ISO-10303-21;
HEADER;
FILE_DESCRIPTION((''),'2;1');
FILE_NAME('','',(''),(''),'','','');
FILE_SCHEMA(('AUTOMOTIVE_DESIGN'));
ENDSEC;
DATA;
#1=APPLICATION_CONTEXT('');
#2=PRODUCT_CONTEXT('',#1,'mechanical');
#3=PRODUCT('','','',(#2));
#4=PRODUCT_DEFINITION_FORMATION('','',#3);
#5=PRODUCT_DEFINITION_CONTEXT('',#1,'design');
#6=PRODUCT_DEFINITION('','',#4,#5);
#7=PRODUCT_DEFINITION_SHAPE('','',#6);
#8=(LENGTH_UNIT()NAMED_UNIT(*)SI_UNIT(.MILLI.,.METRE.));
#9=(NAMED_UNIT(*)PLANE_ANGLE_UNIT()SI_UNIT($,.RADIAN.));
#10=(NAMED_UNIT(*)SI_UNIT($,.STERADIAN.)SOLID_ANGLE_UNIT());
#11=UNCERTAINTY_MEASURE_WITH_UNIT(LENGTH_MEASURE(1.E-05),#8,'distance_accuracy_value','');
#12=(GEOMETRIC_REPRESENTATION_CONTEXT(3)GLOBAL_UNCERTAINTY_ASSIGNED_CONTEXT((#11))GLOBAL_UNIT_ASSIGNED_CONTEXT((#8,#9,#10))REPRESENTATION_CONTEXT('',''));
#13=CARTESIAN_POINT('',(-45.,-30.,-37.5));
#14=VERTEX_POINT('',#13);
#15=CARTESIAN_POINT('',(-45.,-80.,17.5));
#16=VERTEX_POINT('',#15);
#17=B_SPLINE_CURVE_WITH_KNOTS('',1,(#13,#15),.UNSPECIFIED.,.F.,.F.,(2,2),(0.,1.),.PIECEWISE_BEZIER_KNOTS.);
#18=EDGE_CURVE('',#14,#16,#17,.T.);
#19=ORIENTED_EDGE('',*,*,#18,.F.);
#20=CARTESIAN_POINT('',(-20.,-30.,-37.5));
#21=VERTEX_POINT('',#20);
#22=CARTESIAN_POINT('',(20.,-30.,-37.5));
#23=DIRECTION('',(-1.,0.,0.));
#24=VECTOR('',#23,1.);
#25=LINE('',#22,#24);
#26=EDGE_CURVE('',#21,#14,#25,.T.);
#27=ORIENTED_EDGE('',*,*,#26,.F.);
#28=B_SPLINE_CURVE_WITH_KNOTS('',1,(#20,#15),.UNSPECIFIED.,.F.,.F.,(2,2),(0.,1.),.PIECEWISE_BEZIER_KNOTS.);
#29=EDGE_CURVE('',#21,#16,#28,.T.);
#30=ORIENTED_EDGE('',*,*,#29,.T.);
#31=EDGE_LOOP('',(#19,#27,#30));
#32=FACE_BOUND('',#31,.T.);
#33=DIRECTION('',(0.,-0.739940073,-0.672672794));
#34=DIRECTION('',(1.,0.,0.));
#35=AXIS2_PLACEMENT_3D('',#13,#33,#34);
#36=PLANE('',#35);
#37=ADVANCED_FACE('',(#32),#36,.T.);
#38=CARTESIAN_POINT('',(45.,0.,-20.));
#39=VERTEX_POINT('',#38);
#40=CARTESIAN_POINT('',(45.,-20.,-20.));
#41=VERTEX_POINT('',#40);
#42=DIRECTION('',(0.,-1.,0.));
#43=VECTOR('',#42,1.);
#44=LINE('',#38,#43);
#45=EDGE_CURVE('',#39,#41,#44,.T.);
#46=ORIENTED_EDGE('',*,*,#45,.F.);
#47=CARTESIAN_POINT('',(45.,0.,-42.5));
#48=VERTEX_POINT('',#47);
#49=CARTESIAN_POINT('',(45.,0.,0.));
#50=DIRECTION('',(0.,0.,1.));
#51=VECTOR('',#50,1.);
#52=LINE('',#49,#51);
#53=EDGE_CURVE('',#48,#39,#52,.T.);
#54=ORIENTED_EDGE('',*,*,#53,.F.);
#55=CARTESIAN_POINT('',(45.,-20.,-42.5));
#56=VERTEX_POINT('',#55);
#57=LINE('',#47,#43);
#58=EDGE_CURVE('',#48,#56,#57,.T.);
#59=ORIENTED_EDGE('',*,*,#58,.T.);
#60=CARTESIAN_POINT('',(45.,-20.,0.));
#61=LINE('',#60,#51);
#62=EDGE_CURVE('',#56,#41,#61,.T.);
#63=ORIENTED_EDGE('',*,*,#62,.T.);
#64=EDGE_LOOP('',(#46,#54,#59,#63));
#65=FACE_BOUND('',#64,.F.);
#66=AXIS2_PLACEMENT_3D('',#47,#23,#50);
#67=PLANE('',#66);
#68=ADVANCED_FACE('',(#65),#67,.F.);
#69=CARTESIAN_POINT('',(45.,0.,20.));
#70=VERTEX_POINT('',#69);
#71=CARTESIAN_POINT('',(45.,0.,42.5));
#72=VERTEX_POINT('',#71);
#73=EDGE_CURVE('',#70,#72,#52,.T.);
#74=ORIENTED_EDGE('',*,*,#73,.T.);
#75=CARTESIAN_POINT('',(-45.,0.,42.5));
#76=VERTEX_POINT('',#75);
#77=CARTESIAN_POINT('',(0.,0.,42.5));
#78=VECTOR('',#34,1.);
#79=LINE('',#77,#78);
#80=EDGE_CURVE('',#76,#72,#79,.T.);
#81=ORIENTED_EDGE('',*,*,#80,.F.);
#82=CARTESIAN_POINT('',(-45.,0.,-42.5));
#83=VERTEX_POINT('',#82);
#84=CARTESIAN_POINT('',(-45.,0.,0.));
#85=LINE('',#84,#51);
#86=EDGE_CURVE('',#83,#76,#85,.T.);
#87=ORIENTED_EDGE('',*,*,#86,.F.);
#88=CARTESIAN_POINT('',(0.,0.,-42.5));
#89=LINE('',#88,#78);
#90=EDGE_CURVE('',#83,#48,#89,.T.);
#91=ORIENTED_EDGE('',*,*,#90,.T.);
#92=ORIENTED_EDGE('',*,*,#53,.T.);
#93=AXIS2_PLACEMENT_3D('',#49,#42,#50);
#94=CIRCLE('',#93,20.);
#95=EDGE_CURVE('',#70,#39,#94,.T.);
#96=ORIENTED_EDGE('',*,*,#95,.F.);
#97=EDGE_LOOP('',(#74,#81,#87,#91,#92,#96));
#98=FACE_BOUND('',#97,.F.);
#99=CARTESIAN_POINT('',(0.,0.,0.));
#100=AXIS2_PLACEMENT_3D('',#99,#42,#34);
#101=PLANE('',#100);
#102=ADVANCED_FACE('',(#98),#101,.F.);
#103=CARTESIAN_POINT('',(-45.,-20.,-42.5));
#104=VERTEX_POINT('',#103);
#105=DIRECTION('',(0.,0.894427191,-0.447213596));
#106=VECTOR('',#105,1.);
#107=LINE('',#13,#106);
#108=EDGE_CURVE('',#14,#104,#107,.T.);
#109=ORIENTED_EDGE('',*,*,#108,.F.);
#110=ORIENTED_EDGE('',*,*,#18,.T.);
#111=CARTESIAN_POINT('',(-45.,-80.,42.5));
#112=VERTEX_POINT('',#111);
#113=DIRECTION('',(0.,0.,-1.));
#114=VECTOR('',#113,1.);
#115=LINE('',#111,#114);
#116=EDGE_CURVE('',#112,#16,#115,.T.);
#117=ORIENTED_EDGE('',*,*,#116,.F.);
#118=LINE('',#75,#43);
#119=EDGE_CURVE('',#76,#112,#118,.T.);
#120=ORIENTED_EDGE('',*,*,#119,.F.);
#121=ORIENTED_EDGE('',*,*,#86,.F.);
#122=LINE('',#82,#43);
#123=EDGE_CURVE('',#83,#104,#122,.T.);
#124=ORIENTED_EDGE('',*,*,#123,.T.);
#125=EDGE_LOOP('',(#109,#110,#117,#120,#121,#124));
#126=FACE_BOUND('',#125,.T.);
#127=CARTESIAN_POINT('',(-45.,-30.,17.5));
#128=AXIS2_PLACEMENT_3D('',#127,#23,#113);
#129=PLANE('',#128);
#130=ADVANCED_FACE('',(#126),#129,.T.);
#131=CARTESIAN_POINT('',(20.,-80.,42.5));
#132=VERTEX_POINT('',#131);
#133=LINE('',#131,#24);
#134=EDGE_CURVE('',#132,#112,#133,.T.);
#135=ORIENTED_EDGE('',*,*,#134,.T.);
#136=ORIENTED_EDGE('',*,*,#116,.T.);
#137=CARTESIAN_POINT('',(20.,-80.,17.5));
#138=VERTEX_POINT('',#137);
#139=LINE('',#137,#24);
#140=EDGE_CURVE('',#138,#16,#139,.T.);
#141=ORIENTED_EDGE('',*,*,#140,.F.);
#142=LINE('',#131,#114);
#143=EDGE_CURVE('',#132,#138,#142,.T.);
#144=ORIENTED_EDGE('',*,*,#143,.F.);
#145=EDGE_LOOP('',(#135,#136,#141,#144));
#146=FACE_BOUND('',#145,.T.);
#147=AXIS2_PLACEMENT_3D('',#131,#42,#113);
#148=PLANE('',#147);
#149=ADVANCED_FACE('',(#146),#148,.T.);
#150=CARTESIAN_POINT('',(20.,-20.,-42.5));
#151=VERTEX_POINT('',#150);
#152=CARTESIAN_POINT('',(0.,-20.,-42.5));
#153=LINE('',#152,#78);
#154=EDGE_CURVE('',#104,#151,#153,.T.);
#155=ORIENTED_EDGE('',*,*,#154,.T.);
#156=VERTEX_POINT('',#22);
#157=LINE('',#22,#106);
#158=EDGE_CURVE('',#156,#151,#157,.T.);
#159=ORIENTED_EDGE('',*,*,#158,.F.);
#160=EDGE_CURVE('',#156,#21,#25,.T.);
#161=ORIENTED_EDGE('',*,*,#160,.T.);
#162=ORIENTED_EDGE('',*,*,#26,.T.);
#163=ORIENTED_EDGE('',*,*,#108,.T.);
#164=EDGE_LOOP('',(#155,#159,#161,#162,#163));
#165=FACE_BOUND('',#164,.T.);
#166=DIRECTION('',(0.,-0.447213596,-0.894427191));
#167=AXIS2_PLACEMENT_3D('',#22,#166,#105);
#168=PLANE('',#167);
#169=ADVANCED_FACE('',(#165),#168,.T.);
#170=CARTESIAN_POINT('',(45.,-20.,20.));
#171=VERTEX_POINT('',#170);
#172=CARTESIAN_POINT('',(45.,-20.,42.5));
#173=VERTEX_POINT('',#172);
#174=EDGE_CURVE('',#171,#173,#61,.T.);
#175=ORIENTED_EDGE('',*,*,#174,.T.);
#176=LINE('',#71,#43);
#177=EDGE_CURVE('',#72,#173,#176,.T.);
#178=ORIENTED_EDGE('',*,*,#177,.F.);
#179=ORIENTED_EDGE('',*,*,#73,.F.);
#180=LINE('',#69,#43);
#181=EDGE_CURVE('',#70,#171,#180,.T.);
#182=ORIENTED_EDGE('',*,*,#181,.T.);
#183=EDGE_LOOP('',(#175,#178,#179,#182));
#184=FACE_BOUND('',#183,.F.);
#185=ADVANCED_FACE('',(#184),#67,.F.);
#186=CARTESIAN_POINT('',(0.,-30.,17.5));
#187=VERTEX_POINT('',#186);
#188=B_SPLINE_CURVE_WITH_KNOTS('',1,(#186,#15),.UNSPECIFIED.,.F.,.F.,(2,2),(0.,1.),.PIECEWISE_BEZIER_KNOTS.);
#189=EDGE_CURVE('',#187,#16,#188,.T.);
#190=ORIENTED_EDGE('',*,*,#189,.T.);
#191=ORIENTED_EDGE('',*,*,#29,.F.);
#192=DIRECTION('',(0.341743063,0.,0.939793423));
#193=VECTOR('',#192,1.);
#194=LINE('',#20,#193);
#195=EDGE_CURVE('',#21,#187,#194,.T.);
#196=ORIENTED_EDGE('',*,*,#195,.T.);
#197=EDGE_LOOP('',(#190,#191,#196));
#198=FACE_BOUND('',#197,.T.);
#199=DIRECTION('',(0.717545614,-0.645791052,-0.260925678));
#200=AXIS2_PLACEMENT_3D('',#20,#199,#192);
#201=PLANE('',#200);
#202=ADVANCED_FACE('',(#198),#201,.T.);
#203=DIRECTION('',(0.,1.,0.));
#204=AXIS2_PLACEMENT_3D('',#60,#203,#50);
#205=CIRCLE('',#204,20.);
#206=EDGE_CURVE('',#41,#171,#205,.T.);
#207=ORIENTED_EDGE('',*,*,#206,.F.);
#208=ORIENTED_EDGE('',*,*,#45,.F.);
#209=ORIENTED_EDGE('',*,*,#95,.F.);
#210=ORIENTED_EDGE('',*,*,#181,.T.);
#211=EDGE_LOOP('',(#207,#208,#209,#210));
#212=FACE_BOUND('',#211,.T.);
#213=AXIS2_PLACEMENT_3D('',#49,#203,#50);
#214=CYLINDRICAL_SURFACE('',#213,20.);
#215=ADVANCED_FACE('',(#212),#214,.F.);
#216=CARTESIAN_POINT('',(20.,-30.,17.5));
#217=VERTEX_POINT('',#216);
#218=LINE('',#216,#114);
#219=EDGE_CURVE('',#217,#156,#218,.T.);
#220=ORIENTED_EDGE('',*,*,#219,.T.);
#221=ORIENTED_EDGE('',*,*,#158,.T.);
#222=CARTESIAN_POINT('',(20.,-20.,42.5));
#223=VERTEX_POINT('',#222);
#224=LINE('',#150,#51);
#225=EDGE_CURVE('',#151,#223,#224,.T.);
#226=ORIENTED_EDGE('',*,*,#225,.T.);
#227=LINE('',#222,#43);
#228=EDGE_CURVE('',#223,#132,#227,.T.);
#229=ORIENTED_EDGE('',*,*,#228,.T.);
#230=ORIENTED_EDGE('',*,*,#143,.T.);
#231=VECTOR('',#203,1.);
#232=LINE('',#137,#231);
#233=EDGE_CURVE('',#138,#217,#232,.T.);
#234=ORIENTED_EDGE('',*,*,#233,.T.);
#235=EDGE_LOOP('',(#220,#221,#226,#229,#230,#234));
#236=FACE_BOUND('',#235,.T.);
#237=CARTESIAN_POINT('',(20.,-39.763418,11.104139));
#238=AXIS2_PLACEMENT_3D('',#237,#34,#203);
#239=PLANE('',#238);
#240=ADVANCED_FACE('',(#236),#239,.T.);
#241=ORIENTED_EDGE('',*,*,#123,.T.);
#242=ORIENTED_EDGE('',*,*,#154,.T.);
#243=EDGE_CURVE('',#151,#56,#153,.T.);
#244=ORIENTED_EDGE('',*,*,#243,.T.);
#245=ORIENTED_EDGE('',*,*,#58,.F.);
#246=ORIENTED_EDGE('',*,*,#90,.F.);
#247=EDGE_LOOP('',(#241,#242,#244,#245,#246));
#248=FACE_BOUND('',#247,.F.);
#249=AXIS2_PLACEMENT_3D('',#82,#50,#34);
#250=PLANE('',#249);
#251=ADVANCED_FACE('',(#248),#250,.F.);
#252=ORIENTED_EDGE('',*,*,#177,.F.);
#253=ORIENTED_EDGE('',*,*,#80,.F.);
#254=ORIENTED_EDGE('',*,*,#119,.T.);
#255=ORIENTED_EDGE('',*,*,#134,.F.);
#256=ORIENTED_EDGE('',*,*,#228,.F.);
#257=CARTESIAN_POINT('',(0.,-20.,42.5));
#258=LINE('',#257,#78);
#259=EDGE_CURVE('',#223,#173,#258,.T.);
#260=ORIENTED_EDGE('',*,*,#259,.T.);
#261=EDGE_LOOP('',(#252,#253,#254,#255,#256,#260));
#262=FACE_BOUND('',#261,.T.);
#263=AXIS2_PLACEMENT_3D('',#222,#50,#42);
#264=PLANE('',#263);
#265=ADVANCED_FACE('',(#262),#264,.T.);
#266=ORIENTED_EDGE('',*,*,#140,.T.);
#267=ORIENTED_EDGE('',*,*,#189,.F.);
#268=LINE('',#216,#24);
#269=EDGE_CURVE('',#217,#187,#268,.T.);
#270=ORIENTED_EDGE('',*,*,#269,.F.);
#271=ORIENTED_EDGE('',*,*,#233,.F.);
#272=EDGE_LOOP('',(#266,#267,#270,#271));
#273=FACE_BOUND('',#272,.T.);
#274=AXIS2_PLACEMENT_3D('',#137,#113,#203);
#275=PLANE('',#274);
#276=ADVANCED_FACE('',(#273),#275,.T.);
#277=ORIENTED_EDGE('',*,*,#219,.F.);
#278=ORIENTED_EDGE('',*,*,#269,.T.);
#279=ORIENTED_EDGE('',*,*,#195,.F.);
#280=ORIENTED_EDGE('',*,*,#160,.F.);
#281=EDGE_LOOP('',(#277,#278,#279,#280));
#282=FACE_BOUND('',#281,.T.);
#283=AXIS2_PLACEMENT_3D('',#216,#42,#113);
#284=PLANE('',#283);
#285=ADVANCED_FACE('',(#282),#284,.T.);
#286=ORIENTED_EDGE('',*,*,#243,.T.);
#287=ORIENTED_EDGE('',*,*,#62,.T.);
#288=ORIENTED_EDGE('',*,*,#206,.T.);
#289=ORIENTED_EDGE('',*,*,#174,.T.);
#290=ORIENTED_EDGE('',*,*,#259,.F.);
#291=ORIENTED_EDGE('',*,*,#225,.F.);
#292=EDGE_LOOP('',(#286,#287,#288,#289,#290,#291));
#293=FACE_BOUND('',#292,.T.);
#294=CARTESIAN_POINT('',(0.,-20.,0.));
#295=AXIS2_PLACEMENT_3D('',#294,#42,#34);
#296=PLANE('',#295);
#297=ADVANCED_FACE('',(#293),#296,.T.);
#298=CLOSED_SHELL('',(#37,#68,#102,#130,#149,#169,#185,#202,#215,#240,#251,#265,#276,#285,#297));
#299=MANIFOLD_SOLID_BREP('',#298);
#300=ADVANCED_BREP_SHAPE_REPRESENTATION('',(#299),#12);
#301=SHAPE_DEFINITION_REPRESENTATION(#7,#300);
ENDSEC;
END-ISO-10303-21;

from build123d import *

# Parameters (mm, degrees)
F0_W     = 90
F0_H     = 85
F1_DEPTH = 20
F3_DEPTH = 25
F6_DEPTH = 65


with BuildPart() as f1:
    # F0 (on Front) → F1 (new body)
    with BuildSketch(Plane.XZ):
        Rectangle(F0_W, F0_H)
    extrude(amount=F1_DEPTH)

    # F2 (on Front) → F3 (cut)
    with BuildSketch(Plane.XZ):
        with BuildLine():
            Line((45, -20), (45, 20))
            ThreePointArc((45, 20), (25, 0), (45, -20))
        make_face()
    extrude(amount=F3_DEPTH, mode=Mode.SUBTRACT)

    # F5 (on offset) → F6 (join)
    with BuildSketch(Plane.YZ.offset(20)):
        Polygon((-20, 20), (-20, 42.5), (-80, 42.5), (-80, 17.5), (-30, 17.5), (-30, -37.5), (-20, -42.5), (-20, -20), align=None)
    extrude(amount=-F6_DEPTH)

    # F8 (on face) → F10 section 0
    with BuildSketch(Plane.XZ.offset(30), mode=Mode.PRIVATE) as f10_s0:
        Polygon((-45, -37.5), (-20, -37.5), (0, 17.5), (-45, 17.5), align=None)
    loft([f10_s0.sketch, Vertex(-45, -80, 17.5)])


solid = f1.part
